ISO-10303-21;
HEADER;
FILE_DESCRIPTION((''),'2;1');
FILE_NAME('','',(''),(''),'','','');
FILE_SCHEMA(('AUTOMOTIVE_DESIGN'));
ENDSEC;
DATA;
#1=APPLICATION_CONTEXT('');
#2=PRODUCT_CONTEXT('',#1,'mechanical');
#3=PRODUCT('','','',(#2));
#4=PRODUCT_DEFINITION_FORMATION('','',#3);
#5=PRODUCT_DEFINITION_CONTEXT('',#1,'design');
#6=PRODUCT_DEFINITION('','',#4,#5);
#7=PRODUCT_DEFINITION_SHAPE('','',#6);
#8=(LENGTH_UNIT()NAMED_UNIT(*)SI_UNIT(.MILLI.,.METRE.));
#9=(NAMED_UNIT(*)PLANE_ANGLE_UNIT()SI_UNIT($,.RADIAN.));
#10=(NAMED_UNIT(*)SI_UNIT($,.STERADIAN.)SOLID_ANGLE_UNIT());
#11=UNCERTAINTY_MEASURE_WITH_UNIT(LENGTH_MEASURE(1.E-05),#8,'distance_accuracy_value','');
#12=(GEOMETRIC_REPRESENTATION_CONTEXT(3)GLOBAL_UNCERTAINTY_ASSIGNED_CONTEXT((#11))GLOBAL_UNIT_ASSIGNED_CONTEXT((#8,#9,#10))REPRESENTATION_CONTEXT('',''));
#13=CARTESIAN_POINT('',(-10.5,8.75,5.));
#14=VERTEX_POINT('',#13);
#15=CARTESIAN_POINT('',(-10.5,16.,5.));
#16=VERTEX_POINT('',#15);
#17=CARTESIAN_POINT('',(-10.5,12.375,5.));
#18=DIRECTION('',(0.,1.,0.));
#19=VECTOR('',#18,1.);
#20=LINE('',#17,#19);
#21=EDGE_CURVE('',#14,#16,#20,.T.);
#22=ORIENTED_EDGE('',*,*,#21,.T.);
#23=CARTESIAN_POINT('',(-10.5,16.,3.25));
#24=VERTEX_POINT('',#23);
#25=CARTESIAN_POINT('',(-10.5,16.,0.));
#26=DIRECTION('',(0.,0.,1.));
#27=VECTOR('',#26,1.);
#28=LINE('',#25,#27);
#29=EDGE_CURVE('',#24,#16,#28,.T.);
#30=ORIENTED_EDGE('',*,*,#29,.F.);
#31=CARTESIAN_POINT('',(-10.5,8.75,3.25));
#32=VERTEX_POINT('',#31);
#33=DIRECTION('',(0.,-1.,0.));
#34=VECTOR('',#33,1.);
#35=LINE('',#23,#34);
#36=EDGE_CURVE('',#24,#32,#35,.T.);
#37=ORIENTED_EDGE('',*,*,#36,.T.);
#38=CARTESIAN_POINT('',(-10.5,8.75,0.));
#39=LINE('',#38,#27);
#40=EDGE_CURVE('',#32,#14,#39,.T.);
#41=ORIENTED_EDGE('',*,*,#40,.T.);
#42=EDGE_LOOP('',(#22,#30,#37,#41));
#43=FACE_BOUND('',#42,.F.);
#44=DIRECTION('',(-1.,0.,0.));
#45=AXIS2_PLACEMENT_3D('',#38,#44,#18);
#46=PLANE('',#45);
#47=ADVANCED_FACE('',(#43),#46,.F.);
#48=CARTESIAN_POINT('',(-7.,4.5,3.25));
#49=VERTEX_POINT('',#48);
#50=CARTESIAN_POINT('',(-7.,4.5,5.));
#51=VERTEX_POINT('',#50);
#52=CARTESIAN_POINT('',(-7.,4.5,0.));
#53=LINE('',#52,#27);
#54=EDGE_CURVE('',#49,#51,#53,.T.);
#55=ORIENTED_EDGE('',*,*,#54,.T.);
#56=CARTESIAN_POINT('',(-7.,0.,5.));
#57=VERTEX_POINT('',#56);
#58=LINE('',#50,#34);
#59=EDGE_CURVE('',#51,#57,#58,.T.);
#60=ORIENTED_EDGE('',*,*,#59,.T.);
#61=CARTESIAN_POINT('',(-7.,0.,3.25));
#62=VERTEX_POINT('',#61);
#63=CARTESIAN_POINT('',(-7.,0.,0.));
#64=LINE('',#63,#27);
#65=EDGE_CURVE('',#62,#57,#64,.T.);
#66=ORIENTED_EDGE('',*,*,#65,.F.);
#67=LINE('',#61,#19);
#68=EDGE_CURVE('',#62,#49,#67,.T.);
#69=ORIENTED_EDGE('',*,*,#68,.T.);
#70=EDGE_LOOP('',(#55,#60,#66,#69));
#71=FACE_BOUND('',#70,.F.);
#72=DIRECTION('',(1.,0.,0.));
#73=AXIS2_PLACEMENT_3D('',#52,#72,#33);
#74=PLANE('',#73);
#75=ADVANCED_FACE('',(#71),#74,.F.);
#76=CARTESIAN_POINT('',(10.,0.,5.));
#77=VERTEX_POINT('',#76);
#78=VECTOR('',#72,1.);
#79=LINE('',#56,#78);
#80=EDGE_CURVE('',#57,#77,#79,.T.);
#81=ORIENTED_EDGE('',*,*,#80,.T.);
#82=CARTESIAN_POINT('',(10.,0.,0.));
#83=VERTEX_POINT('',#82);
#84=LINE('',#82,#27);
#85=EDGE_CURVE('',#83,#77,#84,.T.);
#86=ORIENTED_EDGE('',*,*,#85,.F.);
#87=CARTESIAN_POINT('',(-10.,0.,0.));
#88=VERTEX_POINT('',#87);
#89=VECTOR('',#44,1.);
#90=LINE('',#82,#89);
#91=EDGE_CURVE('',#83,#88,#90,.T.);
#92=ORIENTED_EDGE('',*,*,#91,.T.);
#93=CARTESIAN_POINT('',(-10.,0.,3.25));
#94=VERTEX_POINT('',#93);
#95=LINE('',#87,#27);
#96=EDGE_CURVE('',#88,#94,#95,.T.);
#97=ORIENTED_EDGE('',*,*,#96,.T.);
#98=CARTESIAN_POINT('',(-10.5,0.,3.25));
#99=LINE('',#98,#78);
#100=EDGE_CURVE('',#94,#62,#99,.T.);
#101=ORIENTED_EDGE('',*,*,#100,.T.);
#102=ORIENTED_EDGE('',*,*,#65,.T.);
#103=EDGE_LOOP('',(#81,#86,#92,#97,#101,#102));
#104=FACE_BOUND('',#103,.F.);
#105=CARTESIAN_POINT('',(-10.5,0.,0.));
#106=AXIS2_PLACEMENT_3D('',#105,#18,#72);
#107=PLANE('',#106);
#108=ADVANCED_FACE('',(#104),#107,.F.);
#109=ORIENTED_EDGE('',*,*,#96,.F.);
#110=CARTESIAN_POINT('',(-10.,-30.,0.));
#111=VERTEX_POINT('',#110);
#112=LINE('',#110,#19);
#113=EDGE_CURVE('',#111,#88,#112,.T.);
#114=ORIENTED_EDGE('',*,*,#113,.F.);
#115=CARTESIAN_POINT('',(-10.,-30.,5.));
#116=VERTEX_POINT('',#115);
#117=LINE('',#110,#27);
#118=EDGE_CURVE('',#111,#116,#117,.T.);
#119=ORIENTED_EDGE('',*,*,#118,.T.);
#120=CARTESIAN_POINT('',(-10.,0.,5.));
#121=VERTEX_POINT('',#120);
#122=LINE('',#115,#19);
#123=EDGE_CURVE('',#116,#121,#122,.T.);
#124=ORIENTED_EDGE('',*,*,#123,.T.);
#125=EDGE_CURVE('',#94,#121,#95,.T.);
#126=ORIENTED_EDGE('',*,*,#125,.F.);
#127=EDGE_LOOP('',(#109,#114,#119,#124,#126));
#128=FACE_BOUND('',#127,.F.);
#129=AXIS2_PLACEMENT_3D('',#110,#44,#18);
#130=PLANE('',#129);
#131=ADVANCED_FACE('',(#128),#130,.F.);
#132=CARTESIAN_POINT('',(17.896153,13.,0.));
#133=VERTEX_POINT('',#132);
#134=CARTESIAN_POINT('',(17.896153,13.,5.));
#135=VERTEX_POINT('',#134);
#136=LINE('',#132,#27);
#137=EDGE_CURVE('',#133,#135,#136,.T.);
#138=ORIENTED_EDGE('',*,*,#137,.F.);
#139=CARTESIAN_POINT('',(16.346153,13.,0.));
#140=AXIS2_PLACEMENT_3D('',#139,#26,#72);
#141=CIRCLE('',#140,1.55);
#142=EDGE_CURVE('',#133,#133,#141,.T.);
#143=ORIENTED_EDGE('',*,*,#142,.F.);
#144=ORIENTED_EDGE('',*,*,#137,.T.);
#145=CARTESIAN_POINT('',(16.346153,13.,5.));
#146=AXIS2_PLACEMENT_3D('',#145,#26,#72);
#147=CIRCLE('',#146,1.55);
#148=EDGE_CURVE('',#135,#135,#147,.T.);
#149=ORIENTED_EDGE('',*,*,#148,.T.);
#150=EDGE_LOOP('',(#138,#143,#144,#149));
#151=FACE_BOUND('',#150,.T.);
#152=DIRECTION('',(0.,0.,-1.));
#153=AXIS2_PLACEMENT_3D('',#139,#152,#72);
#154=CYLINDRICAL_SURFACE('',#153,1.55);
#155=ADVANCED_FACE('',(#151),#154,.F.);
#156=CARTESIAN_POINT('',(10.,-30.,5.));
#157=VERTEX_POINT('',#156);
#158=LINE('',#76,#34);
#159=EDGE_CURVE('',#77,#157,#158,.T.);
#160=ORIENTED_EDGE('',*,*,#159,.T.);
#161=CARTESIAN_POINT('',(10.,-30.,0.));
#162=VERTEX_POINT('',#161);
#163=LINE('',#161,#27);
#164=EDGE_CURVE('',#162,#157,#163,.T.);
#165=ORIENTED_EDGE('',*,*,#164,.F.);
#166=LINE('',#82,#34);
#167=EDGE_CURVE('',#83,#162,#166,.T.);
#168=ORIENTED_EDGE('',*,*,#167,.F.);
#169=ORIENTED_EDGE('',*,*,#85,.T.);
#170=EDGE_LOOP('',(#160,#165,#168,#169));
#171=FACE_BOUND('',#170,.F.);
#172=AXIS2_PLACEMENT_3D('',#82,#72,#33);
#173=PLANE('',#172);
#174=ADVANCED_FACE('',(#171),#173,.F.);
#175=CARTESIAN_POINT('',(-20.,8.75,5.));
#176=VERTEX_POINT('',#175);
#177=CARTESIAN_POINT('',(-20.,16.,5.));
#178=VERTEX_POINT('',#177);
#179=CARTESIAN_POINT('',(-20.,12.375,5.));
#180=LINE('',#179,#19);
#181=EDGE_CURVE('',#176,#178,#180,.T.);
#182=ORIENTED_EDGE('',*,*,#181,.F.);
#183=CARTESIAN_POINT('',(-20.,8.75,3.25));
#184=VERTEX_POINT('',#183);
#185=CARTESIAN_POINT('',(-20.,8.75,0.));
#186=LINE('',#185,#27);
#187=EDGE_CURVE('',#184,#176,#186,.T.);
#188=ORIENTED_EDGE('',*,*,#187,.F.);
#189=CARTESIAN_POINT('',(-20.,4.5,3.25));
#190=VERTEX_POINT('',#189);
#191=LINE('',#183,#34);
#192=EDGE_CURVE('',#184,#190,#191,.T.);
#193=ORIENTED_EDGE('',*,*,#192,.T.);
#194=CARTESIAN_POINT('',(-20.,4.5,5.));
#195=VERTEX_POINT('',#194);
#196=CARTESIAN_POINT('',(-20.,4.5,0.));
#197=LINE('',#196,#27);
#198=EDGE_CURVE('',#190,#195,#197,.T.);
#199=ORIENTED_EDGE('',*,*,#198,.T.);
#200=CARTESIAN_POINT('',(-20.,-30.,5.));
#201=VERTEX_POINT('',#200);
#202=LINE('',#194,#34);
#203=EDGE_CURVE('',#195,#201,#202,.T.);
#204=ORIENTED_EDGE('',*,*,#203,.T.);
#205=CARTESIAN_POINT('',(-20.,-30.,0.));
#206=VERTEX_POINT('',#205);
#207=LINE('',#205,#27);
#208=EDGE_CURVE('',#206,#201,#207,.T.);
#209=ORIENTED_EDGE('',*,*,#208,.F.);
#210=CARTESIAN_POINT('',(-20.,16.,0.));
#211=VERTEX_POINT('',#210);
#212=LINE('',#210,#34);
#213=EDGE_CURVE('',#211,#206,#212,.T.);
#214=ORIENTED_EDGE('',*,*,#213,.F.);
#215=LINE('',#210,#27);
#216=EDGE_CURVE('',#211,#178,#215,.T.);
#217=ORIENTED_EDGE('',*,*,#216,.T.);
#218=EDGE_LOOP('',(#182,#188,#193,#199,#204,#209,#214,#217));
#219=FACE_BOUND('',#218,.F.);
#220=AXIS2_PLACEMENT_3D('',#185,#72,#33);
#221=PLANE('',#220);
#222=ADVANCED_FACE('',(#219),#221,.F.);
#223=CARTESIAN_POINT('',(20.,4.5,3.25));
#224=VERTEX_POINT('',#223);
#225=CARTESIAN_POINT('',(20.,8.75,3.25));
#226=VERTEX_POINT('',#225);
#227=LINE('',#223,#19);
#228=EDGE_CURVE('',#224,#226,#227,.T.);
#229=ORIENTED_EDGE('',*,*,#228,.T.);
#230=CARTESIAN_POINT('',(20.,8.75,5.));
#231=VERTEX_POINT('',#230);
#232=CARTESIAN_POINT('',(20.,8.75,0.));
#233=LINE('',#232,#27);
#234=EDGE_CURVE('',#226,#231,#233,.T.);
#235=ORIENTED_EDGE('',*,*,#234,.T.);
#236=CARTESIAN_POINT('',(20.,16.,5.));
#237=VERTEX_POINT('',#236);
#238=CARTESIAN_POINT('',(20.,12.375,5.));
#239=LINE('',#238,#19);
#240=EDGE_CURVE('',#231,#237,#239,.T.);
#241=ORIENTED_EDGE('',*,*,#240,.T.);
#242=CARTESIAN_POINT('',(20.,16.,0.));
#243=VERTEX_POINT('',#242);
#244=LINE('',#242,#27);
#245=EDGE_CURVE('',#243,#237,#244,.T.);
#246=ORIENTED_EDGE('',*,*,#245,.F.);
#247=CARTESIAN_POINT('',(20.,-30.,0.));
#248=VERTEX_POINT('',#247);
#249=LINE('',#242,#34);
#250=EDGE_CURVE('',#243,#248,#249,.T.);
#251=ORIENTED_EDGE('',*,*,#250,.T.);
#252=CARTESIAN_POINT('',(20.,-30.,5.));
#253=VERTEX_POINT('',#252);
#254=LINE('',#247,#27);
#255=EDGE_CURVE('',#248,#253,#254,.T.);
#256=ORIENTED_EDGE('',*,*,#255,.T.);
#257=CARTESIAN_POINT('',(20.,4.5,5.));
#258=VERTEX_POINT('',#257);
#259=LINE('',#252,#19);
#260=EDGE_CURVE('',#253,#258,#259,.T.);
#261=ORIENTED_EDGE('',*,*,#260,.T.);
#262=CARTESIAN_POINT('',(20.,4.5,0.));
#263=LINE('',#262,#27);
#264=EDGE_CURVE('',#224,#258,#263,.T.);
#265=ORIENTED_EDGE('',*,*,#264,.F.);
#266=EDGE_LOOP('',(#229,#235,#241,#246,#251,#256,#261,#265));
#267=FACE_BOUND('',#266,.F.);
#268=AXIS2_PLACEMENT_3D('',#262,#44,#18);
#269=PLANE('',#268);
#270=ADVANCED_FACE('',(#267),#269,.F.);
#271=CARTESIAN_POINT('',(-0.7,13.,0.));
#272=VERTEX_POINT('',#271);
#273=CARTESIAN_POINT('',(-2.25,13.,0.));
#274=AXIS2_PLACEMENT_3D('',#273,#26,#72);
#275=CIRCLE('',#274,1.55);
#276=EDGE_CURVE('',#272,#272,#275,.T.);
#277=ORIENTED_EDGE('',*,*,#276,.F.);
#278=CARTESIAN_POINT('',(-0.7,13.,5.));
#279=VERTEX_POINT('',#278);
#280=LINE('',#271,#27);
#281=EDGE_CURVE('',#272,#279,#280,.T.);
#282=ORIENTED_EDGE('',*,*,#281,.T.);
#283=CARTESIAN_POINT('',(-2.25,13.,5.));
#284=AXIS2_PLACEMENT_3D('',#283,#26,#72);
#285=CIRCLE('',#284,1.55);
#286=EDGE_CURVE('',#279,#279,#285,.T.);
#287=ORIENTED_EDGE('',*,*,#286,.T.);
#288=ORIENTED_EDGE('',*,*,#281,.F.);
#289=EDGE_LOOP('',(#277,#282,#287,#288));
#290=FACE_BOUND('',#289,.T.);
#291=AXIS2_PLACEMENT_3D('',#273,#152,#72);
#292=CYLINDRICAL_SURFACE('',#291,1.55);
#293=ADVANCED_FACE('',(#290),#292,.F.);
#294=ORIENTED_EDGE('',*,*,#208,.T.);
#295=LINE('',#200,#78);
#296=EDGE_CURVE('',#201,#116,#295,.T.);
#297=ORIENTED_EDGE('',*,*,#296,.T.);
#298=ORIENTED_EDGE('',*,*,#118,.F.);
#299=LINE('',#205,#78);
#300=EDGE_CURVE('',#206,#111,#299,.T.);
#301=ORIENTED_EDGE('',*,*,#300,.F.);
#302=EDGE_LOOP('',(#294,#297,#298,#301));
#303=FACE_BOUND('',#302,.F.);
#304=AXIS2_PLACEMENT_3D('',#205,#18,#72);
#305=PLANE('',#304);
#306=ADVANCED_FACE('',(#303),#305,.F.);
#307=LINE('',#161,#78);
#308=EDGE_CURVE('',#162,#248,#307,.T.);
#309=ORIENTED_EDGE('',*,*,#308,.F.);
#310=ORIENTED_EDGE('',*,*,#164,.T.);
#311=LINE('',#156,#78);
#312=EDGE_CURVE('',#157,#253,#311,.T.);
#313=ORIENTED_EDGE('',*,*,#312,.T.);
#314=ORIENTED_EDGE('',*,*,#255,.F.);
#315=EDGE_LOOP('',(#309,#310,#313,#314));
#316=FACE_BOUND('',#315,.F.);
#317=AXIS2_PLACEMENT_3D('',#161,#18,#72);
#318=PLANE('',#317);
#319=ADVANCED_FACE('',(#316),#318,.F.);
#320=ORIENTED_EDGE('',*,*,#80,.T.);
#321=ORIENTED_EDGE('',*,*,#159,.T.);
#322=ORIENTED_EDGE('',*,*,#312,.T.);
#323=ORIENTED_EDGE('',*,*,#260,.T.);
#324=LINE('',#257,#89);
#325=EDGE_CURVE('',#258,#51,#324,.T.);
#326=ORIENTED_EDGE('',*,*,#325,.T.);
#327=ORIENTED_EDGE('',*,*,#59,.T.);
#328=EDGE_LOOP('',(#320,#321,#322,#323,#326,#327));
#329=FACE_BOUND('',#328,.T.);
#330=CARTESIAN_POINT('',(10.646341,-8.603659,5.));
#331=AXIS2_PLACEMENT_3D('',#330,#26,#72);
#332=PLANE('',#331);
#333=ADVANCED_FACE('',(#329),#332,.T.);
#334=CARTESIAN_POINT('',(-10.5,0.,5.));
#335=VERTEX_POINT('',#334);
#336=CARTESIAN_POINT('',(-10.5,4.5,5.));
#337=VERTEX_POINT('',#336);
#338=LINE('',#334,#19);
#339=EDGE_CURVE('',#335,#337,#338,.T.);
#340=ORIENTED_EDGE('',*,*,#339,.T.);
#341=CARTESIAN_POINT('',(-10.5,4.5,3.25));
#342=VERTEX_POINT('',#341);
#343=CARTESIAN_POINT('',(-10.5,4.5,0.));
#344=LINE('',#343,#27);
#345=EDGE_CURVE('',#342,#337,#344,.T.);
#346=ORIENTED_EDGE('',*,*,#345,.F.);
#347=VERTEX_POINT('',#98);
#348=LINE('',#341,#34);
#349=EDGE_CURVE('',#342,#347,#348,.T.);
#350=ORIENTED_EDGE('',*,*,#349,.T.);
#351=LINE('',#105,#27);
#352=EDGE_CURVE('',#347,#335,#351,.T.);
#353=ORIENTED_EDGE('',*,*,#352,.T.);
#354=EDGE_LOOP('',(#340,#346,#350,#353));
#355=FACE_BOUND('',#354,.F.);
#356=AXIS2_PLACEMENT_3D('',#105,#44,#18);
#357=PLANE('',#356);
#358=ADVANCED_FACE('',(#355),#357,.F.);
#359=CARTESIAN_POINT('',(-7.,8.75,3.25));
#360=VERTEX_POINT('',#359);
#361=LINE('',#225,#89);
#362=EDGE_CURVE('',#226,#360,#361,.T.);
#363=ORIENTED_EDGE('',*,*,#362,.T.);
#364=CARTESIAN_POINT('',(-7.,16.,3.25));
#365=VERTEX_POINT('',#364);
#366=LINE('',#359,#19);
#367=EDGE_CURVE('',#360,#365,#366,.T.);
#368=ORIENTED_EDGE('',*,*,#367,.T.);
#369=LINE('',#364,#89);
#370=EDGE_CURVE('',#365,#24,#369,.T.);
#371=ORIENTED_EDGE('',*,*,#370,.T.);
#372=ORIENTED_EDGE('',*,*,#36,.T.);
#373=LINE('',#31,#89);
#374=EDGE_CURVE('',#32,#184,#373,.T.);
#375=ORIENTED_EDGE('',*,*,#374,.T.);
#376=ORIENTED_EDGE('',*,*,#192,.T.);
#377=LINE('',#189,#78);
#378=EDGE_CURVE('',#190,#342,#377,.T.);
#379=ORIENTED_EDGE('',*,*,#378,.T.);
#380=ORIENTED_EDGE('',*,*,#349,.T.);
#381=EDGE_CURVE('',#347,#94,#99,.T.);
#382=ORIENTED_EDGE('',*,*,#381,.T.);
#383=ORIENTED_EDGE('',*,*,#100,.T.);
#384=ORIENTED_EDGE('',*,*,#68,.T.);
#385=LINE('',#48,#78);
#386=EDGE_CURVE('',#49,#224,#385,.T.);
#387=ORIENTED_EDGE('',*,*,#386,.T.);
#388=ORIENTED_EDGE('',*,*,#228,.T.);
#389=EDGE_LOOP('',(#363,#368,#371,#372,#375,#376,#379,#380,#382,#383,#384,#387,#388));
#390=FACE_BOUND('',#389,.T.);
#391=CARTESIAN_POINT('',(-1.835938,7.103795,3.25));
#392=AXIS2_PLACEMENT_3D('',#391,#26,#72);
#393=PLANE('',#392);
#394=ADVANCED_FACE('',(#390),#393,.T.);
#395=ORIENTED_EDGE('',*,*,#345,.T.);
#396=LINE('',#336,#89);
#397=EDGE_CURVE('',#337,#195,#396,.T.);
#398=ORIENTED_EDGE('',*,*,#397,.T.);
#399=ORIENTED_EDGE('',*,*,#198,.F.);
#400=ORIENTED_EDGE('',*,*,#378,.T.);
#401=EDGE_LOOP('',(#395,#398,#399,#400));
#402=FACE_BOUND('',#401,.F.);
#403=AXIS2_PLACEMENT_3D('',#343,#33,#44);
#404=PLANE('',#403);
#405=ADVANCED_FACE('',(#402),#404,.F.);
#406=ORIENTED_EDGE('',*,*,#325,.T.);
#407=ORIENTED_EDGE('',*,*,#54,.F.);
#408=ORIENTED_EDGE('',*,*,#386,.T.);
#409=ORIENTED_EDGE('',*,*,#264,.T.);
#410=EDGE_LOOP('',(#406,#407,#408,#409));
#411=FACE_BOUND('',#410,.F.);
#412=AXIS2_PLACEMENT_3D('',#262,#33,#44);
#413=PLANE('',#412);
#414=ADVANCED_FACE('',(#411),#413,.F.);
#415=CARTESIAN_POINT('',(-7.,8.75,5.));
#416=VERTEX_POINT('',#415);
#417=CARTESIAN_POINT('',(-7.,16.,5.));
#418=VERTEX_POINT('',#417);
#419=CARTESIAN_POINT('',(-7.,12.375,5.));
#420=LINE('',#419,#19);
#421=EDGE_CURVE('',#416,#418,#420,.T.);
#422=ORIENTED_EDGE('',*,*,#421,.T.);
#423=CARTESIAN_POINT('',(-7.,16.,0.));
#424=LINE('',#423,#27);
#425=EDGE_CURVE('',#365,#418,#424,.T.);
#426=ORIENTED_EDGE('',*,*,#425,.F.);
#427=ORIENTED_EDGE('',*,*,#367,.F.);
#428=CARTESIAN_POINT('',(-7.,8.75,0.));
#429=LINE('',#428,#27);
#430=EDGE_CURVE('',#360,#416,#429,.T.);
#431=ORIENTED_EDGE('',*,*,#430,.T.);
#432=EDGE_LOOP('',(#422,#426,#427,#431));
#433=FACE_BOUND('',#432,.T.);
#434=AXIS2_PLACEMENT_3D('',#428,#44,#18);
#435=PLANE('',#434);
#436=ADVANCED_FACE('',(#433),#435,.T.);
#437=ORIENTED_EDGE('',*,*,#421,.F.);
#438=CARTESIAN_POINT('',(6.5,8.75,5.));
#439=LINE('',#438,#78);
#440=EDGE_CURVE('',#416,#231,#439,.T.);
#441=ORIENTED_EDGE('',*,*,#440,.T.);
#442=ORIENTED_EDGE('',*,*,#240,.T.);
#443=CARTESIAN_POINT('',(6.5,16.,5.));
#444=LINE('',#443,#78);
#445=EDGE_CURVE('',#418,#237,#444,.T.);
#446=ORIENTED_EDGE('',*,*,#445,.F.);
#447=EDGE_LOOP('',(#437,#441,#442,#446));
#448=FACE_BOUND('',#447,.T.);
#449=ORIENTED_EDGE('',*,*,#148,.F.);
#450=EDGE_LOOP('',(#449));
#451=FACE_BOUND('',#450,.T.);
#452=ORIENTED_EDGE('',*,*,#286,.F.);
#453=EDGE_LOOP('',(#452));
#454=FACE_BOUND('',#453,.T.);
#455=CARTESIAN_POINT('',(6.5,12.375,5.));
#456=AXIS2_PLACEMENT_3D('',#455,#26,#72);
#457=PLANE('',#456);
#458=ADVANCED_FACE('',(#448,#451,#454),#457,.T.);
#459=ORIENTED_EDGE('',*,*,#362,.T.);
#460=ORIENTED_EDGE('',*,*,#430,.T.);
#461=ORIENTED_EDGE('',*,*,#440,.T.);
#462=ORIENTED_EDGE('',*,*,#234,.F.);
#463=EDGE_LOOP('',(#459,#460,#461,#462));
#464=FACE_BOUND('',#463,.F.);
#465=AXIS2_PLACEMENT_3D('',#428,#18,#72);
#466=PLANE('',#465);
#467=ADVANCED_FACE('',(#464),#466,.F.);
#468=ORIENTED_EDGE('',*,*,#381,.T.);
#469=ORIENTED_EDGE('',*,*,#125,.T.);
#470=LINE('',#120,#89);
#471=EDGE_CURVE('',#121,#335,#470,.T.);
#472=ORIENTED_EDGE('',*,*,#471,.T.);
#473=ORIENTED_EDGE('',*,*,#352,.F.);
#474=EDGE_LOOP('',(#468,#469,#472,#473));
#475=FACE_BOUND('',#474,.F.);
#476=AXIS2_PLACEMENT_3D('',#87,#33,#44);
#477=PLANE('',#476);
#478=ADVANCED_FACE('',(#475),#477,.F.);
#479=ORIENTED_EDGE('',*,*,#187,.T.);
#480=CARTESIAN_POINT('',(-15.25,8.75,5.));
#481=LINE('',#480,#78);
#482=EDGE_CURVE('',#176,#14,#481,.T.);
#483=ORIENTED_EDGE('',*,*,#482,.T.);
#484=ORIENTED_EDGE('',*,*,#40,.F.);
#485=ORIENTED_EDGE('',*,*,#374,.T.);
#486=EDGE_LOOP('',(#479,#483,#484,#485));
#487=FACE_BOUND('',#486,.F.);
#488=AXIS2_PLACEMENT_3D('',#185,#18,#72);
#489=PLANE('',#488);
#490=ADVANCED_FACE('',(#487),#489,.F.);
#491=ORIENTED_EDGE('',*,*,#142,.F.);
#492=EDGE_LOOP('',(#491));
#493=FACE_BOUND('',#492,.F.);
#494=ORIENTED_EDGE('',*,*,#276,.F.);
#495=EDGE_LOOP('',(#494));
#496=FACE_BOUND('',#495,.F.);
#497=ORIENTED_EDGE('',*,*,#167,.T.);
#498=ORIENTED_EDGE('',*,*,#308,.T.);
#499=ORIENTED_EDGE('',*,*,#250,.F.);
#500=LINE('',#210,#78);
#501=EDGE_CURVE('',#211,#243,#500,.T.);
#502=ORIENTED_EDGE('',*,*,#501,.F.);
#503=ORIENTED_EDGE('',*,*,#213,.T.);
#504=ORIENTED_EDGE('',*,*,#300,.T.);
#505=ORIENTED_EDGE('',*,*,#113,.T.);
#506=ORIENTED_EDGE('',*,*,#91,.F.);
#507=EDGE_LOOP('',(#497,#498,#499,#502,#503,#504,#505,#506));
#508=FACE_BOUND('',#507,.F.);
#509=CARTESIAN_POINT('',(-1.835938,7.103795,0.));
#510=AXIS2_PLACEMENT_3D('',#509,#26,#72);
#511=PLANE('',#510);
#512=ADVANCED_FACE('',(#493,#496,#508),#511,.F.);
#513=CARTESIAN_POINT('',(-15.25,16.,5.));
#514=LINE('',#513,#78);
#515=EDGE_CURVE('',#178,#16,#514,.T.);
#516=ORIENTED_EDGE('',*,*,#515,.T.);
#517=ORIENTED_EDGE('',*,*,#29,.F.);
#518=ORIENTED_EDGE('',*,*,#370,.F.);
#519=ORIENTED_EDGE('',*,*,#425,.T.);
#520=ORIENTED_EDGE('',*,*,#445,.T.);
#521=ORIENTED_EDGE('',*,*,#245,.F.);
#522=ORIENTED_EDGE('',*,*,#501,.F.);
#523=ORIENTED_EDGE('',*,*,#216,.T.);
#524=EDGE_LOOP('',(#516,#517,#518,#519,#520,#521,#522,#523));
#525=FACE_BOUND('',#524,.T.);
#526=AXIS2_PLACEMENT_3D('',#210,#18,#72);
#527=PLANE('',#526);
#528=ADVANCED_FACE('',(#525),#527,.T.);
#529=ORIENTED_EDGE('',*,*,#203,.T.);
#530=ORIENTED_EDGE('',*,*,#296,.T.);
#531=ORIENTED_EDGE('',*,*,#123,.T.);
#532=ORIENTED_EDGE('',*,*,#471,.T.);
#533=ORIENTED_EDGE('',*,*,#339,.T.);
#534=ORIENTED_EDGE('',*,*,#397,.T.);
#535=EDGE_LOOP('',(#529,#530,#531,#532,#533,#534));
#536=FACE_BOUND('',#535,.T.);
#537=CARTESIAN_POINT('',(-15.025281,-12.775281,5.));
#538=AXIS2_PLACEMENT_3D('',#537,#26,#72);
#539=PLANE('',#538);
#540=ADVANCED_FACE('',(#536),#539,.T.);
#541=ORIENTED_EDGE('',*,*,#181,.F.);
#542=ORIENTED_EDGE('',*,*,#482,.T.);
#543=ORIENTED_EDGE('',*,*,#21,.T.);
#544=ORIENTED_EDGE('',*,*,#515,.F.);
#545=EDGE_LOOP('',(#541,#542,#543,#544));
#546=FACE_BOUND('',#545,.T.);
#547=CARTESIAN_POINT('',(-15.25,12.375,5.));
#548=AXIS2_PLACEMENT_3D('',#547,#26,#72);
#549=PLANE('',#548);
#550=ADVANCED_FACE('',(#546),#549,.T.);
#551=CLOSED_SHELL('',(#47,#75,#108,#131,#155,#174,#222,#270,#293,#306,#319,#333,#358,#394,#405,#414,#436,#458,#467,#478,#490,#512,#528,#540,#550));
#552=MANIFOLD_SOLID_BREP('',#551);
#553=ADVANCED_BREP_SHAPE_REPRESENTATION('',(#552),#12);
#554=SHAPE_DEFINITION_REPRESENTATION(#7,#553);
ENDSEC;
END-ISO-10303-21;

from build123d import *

# Parameters (mm, degrees)
F0_W     = 9.5
F0_H     = 7.25
F0_W_2   = 27
F0_R     = 1.55
F1_DEPTH = 5
F2_DEPTH = 3.25


with BuildPart() as f1:
    # F0 (on Top) → F1 (new body)
    with BuildSketch(Plane.XY):
        Polygon((-10.5, 4.5), (-20, 4.5), (-20, -30), (-10, -30), (-10, 0), (-10.5, 0), align=None)
        with Locations((-15.25, 12.375)):
            Rectangle(F0_W, F0_H)
        with Locations((6.5, 12.375)):
            Rectangle(F0_W_2, F0_H)
        with Locations((-2.25, 13)):
            Circle(F0_R, mode=Mode.SUBTRACT)
        with Locations((16.346153, 13)):
            Circle(F0_R, mode=Mode.SUBTRACT)
        Polygon((20, -30), (20, 4.5), (-7, 4.5), (-7, 0), (10, 0), (10, -30), align=None)
    extrude(amount=F1_DEPTH)

    # F0 (on Top) → F2 (join)
    with BuildSketch(Plane.XY):
        Polygon((-10.5, 8.75), (-20, 8.75), (-20, 4.5), (-10.5, 4.5), (-10.5, 0), (-10, 0), (-7, 0), (-7, 4.5), (20, 4.5), (20, 8.75), (-7, 8.75), (-7, 16), (-10.5, 16), align=None)
    extrude(amount=F2_DEPTH)


solid = f1.part
